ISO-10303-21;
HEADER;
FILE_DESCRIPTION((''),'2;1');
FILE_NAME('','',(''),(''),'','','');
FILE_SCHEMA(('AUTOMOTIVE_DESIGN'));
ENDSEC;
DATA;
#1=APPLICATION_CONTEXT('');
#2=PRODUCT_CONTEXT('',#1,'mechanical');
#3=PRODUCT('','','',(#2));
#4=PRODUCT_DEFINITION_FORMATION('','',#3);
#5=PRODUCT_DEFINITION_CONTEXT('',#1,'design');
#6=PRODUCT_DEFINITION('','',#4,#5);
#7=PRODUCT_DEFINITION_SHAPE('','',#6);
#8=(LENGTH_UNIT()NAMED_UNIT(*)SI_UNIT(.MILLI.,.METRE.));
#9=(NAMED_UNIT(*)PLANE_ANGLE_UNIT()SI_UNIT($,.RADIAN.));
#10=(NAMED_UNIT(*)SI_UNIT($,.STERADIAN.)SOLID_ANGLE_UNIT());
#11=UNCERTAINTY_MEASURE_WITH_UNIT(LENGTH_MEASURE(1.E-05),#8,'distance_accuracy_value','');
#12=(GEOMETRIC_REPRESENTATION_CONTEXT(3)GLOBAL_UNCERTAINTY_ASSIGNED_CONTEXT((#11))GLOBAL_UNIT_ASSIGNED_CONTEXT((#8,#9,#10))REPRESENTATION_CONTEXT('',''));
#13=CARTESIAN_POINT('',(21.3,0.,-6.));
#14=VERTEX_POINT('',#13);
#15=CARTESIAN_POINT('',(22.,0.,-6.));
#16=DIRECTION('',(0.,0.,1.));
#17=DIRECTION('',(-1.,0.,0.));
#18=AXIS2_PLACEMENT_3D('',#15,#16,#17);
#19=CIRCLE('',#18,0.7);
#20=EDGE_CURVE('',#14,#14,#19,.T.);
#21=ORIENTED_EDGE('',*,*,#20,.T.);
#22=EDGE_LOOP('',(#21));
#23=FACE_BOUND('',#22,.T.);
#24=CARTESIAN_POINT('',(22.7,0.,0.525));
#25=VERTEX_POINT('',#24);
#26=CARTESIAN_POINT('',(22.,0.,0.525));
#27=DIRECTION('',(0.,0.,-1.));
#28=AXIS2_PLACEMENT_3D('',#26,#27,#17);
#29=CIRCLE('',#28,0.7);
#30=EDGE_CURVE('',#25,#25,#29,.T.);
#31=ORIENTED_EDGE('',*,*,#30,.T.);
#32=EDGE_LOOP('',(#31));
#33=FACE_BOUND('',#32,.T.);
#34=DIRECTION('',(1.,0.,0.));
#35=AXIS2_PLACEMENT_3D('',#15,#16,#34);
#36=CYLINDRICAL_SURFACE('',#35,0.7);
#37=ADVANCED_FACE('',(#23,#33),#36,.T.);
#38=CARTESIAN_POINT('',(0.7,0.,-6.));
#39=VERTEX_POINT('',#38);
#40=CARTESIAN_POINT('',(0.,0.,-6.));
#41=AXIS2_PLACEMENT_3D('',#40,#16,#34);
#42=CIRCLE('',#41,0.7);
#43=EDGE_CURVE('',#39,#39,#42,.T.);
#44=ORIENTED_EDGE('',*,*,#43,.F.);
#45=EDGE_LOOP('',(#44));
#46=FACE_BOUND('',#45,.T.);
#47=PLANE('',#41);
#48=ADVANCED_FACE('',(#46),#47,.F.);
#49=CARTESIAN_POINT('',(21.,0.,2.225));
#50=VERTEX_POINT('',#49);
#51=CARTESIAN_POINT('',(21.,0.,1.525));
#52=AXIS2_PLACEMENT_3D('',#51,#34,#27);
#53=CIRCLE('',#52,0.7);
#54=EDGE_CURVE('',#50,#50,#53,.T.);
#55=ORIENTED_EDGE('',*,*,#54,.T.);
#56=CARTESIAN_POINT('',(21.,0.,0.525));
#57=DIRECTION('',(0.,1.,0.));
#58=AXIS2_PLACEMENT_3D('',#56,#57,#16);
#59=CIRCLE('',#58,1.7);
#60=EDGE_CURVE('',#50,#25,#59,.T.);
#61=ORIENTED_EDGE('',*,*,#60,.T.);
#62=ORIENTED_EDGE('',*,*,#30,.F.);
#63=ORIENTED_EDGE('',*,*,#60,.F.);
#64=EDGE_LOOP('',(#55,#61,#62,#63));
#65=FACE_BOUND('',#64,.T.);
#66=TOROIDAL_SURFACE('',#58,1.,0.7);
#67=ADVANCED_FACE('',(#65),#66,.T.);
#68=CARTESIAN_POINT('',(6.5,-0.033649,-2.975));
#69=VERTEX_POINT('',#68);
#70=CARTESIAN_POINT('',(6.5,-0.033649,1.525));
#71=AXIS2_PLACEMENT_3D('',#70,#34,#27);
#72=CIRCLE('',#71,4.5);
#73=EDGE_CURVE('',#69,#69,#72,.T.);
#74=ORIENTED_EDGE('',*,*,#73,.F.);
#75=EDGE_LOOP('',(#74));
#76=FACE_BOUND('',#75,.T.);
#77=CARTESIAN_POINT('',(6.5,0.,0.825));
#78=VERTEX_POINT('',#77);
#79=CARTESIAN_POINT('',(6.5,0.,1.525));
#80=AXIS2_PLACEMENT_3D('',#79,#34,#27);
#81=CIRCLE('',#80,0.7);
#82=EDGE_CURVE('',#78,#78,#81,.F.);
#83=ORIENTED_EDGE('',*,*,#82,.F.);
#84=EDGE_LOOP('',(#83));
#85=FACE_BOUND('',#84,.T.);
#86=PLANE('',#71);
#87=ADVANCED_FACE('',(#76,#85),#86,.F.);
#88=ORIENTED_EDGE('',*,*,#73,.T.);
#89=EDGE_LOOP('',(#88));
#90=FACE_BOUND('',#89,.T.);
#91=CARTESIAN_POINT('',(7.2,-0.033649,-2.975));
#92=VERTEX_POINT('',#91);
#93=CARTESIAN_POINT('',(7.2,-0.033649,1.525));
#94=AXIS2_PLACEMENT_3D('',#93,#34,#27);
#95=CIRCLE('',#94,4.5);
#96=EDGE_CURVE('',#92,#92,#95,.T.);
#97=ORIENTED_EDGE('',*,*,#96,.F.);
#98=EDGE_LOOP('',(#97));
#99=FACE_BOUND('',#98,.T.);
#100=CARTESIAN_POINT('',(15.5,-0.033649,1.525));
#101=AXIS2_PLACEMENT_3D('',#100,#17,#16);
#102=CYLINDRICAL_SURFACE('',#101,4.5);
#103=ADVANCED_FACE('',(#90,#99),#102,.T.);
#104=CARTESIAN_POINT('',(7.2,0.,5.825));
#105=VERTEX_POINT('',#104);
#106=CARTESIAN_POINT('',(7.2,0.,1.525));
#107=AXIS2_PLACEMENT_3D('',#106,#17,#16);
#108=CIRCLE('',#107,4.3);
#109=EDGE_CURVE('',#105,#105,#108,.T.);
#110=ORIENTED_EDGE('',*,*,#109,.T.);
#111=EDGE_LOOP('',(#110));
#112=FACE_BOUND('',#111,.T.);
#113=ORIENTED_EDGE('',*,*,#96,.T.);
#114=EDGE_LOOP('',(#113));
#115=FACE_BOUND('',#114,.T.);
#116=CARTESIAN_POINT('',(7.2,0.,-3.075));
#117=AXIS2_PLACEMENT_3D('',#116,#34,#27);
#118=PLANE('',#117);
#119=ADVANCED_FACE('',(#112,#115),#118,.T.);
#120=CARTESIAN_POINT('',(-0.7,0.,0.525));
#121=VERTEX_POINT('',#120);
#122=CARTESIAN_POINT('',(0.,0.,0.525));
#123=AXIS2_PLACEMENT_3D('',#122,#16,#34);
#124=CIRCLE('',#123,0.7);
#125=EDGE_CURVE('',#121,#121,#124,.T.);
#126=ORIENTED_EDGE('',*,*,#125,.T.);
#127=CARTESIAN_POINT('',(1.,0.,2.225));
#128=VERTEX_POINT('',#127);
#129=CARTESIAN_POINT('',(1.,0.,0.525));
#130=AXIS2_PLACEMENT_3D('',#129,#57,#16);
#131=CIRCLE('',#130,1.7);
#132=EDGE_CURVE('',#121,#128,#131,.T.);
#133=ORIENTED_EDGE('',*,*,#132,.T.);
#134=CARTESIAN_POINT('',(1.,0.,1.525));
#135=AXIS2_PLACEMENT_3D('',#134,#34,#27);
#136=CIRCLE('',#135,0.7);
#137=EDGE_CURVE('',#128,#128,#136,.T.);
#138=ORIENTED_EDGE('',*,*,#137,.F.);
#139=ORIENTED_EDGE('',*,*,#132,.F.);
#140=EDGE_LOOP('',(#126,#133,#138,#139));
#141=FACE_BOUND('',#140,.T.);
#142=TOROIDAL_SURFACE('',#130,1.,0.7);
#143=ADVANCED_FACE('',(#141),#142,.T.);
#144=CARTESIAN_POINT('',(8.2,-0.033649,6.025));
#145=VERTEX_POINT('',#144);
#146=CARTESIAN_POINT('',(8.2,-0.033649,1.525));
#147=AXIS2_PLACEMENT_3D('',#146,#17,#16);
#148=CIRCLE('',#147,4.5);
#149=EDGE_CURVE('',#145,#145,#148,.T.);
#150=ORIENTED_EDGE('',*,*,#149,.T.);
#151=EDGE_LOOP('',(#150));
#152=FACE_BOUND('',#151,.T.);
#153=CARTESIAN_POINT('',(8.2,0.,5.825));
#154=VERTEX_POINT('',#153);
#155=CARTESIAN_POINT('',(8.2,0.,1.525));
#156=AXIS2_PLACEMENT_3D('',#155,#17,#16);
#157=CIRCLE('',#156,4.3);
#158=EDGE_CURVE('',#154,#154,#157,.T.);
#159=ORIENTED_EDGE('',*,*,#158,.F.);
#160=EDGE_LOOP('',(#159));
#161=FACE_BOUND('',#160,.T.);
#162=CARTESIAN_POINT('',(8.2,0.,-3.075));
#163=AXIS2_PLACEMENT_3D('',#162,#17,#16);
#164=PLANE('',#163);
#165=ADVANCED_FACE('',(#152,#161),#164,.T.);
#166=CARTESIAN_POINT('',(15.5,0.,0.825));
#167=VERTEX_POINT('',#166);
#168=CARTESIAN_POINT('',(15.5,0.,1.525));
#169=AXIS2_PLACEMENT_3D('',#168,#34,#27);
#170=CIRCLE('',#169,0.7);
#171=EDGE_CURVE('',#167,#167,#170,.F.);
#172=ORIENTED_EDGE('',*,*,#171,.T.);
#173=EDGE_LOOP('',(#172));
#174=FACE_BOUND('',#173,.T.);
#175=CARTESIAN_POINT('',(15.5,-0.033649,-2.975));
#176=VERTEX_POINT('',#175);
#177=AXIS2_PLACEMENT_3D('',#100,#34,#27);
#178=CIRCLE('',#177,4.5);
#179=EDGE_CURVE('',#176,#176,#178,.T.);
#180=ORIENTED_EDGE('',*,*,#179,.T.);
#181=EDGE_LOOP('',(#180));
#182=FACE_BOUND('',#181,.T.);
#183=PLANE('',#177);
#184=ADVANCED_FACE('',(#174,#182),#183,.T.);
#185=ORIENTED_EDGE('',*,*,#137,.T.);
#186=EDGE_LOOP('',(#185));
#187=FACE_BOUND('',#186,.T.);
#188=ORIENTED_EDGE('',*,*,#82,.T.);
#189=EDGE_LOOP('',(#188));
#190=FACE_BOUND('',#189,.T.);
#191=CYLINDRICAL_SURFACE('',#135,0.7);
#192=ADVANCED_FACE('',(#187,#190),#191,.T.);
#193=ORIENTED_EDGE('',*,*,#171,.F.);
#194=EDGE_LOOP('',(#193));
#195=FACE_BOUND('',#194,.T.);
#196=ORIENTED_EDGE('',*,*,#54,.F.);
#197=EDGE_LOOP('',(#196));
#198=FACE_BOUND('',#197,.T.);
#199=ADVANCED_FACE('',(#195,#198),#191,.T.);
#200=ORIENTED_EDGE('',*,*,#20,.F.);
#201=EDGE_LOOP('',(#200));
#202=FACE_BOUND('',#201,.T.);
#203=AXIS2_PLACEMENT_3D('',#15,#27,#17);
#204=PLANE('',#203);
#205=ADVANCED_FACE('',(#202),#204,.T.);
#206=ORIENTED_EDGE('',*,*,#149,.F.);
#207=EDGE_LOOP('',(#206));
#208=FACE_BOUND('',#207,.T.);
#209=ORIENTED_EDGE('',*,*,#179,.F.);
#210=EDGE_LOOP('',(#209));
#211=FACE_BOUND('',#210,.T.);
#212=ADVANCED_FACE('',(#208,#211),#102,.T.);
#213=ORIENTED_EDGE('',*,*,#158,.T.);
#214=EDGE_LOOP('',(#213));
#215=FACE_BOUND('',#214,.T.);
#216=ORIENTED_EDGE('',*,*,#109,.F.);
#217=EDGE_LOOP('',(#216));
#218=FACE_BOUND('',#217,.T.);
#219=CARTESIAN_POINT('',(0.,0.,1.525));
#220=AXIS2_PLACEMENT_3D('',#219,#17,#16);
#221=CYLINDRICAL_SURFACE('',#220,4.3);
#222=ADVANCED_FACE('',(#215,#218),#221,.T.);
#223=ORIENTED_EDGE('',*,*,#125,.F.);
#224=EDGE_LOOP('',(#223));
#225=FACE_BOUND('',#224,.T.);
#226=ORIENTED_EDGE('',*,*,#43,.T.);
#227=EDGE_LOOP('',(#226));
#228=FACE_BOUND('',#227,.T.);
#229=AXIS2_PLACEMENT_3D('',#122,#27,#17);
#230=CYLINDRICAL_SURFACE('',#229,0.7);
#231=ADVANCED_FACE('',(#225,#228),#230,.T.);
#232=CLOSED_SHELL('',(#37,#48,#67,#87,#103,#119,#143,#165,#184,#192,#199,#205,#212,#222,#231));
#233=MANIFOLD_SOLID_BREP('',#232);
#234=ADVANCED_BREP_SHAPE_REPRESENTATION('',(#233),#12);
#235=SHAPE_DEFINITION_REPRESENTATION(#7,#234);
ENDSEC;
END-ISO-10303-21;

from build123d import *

# Parameters (mm, degrees)
SKETCH_3_R        = 4.5
EXTRUDE_1_DEPTH   = 9
SKETCH_4_W        = 1
SKETCH_4_H        = 0.3
SKETCH_6_R        = 0.7
EXTRUDE_2_DEPTH   = 6
EXTRUDE_2_2_DEPTH = 6
SKETCH_7_R        = 0.7


with BuildPart() as part:
    # Эскиз3 → Вытянуть1 (new body)
    with BuildSketch(Plane(origin=(6.5, 0, 0), x_dir=(0, 0, -1), z_dir=(1, 0, 0))):
        with Locations((-1.525, -0.033649265)):
            Circle(SKETCH_3_R)
    extrude(amount=EXTRUDE_1_DEPTH)

    # Эскиз4 → Вырез-Повернуть1 (revolve, cut)
    with BuildSketch(Plane(origin=(0, 0, 0), x_dir=(1, 0, 0), z_dir=(0, 1, 0)), mode=Mode.PRIVATE) as cut_revolve_1_sk:
        with Locations((7.7, 2.925)):
            Rectangle(SKETCH_4_W, SKETCH_4_H)
    revolve(cut_revolve_1_sk.sketch.rotate(Axis((0, 0, 1.525), (1, 0, 0)), 180), axis=Axis((0, 0, 1.525), (1, 0, 0)), mode=Mode.SUBTRACT)



with BuildPart() as body_2:
    # Эскиз6 → Вытянуть2 (new body)
    with BuildSketch(Plane.XY):
        Circle(SKETCH_6_R)
    extrude(amount=-EXTRUDE_2_DEPTH)


with BuildPart() as body_3:
    # Эскиз6 → Extrude 2 2 (new body)
    with BuildSketch(Plane.XY):
        with Locations(Location((22, 0, 0), (0, 0, 180))):
            Circle(SKETCH_6_R)
    extrude(amount=-EXTRUDE_2_2_DEPTH)


with BuildPart() as part_1:
    add(part.part)

    add(body_2.part)  # По траектории1 merges body 2

    add(body_3.part)  # По траектории1 merges body 3
    # По траектории1: sweep along a path in Эскиз5
    with BuildLine(Plane(origin=(0, 0, 0), x_dir=(1, 0, 0), z_dir=(0, 1, 0))) as sweep_1_path:
        Line((0, 0), (0, -0.525))
        ThreePointArc((0, -0.525), (0.292893219, -1.232106781), (1, -1.525))
        Line((1, -1.525), (6.8, -1.525))
        Line((6.8, -1.525), (21, -1.525))
        ThreePointArc((21, -1.525), (21.707106781, -1.232106781), (22, -0.525))
        Line((22, -0.525), (22, 0))
    # Эскиз7 → По траектории1 (sweep)
    with BuildSketch(Plane.XY):
        Circle(SKETCH_7_R)
    sweep(path=sweep_1_path.line)


solid = part_1.part
